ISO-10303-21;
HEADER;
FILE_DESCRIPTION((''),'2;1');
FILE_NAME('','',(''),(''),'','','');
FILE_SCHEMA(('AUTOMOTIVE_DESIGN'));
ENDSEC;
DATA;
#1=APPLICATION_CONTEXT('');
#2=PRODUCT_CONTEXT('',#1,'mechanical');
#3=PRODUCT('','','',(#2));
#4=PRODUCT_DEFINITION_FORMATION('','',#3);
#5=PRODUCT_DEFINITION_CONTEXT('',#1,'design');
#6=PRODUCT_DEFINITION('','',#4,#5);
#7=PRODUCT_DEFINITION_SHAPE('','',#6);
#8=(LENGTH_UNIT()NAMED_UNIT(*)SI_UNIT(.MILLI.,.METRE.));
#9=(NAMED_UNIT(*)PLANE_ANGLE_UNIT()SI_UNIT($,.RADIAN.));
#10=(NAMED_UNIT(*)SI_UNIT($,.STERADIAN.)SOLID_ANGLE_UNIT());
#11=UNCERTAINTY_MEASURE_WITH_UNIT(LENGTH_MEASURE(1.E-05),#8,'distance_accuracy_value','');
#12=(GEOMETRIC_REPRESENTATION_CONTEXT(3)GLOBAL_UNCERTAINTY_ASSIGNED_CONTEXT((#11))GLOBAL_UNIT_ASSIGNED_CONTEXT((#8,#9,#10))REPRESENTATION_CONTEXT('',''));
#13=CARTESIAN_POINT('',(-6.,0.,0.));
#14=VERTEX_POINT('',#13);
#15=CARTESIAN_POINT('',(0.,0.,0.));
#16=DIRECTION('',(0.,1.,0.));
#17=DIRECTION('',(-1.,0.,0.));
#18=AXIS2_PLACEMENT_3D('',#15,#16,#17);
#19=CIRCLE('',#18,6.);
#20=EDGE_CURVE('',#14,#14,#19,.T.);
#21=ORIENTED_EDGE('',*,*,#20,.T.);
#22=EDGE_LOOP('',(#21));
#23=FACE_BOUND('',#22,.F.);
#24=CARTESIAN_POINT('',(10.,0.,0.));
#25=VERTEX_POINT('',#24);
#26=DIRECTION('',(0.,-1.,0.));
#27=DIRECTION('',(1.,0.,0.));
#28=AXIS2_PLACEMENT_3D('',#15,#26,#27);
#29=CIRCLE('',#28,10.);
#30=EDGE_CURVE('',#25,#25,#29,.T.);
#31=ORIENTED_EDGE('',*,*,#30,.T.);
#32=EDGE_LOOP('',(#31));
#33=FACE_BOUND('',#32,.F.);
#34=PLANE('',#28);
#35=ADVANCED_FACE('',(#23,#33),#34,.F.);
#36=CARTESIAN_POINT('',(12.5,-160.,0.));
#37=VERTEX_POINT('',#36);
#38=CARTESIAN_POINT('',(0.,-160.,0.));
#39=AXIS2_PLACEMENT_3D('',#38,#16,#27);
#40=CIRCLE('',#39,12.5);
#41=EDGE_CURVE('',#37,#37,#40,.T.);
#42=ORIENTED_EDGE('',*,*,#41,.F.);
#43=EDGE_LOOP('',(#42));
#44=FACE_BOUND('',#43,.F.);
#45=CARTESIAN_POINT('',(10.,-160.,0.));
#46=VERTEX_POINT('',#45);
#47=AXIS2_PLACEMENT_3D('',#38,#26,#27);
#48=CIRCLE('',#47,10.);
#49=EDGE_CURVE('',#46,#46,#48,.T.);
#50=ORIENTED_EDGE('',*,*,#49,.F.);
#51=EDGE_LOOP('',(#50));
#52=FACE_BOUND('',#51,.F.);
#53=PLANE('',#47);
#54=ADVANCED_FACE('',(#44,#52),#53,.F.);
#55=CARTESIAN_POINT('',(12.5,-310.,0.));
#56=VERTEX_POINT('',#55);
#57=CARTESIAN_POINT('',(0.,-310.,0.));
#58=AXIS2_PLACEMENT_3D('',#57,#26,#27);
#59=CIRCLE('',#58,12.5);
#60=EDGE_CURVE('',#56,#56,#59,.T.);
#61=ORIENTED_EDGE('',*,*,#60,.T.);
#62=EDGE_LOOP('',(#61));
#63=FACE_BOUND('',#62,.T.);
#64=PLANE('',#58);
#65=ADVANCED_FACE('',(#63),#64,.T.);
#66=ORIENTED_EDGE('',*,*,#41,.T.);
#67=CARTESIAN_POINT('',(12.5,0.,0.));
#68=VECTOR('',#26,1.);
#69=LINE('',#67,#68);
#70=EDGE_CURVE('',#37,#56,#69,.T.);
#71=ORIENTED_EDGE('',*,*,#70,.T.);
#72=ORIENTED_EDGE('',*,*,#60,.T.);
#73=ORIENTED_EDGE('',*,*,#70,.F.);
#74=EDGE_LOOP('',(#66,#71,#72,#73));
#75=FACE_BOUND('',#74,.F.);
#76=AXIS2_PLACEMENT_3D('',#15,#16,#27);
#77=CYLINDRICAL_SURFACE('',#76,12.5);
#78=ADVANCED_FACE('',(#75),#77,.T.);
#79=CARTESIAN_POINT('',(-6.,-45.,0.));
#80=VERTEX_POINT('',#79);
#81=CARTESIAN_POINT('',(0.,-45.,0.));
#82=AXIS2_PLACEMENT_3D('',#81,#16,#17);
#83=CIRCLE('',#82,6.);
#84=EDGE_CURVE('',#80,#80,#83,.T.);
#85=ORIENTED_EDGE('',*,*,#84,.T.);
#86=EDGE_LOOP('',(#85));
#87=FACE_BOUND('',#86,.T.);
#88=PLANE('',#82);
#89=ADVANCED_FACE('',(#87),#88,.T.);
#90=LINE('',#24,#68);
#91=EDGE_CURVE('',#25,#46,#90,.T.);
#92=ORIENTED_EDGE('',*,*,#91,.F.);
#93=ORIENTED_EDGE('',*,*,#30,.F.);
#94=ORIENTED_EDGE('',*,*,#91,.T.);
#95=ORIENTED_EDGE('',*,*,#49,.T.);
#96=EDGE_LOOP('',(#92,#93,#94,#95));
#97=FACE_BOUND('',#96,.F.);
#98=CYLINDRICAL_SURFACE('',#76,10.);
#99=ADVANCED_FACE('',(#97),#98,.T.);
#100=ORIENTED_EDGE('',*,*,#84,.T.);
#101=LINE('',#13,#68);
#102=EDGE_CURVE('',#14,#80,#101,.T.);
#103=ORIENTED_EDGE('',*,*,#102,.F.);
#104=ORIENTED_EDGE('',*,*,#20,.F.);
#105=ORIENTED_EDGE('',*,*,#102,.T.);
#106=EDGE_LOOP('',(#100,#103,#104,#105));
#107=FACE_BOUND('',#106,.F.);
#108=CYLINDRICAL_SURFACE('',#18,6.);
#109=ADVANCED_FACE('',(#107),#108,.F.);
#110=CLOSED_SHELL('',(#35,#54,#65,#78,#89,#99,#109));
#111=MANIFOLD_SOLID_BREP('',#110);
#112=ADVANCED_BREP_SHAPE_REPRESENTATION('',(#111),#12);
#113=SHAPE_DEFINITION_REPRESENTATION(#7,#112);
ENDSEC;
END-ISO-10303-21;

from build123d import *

# Parameters (mm, degrees)
F0_R     = 12.5
F1_DEPTH = 310
F2_R     = 6
F3_DEPTH = 45
F4_SIZE  = 1
F5_R     = 20.961122
F5_R_2   = 10
F6_DEPTH = 160


with BuildPart() as f1:
    # F0 (on Front) → F1 (new body)
    with BuildSketch(Plane.XZ):
        Circle(F0_R)
    extrude(amount=F1_DEPTH)

    # F2 (on face) → F3 (cut)
    with BuildSketch(Plane(origin=(0, 0, 0), x_dir=(-1, 0, 0), z_dir=(0, 1, 0))):
        Circle(F2_R)
    extrude(amount=-F3_DEPTH, mode=Mode.SUBTRACT)

    # F4
    f4_edges = [f1.edges().sort_by_distance(p)[0] for p in [
        (-12.5, 0, 0),
    ]]
    chamfer(f4_edges, length=F4_SIZE)

    # F5 (on Front) → F6 (cut)
    with BuildSketch(Plane.XZ):
        Circle(F5_R)
        Circle(F5_R_2, mode=Mode.SUBTRACT)
    extrude(amount=F6_DEPTH, mode=Mode.SUBTRACT)


solid = f1.part
